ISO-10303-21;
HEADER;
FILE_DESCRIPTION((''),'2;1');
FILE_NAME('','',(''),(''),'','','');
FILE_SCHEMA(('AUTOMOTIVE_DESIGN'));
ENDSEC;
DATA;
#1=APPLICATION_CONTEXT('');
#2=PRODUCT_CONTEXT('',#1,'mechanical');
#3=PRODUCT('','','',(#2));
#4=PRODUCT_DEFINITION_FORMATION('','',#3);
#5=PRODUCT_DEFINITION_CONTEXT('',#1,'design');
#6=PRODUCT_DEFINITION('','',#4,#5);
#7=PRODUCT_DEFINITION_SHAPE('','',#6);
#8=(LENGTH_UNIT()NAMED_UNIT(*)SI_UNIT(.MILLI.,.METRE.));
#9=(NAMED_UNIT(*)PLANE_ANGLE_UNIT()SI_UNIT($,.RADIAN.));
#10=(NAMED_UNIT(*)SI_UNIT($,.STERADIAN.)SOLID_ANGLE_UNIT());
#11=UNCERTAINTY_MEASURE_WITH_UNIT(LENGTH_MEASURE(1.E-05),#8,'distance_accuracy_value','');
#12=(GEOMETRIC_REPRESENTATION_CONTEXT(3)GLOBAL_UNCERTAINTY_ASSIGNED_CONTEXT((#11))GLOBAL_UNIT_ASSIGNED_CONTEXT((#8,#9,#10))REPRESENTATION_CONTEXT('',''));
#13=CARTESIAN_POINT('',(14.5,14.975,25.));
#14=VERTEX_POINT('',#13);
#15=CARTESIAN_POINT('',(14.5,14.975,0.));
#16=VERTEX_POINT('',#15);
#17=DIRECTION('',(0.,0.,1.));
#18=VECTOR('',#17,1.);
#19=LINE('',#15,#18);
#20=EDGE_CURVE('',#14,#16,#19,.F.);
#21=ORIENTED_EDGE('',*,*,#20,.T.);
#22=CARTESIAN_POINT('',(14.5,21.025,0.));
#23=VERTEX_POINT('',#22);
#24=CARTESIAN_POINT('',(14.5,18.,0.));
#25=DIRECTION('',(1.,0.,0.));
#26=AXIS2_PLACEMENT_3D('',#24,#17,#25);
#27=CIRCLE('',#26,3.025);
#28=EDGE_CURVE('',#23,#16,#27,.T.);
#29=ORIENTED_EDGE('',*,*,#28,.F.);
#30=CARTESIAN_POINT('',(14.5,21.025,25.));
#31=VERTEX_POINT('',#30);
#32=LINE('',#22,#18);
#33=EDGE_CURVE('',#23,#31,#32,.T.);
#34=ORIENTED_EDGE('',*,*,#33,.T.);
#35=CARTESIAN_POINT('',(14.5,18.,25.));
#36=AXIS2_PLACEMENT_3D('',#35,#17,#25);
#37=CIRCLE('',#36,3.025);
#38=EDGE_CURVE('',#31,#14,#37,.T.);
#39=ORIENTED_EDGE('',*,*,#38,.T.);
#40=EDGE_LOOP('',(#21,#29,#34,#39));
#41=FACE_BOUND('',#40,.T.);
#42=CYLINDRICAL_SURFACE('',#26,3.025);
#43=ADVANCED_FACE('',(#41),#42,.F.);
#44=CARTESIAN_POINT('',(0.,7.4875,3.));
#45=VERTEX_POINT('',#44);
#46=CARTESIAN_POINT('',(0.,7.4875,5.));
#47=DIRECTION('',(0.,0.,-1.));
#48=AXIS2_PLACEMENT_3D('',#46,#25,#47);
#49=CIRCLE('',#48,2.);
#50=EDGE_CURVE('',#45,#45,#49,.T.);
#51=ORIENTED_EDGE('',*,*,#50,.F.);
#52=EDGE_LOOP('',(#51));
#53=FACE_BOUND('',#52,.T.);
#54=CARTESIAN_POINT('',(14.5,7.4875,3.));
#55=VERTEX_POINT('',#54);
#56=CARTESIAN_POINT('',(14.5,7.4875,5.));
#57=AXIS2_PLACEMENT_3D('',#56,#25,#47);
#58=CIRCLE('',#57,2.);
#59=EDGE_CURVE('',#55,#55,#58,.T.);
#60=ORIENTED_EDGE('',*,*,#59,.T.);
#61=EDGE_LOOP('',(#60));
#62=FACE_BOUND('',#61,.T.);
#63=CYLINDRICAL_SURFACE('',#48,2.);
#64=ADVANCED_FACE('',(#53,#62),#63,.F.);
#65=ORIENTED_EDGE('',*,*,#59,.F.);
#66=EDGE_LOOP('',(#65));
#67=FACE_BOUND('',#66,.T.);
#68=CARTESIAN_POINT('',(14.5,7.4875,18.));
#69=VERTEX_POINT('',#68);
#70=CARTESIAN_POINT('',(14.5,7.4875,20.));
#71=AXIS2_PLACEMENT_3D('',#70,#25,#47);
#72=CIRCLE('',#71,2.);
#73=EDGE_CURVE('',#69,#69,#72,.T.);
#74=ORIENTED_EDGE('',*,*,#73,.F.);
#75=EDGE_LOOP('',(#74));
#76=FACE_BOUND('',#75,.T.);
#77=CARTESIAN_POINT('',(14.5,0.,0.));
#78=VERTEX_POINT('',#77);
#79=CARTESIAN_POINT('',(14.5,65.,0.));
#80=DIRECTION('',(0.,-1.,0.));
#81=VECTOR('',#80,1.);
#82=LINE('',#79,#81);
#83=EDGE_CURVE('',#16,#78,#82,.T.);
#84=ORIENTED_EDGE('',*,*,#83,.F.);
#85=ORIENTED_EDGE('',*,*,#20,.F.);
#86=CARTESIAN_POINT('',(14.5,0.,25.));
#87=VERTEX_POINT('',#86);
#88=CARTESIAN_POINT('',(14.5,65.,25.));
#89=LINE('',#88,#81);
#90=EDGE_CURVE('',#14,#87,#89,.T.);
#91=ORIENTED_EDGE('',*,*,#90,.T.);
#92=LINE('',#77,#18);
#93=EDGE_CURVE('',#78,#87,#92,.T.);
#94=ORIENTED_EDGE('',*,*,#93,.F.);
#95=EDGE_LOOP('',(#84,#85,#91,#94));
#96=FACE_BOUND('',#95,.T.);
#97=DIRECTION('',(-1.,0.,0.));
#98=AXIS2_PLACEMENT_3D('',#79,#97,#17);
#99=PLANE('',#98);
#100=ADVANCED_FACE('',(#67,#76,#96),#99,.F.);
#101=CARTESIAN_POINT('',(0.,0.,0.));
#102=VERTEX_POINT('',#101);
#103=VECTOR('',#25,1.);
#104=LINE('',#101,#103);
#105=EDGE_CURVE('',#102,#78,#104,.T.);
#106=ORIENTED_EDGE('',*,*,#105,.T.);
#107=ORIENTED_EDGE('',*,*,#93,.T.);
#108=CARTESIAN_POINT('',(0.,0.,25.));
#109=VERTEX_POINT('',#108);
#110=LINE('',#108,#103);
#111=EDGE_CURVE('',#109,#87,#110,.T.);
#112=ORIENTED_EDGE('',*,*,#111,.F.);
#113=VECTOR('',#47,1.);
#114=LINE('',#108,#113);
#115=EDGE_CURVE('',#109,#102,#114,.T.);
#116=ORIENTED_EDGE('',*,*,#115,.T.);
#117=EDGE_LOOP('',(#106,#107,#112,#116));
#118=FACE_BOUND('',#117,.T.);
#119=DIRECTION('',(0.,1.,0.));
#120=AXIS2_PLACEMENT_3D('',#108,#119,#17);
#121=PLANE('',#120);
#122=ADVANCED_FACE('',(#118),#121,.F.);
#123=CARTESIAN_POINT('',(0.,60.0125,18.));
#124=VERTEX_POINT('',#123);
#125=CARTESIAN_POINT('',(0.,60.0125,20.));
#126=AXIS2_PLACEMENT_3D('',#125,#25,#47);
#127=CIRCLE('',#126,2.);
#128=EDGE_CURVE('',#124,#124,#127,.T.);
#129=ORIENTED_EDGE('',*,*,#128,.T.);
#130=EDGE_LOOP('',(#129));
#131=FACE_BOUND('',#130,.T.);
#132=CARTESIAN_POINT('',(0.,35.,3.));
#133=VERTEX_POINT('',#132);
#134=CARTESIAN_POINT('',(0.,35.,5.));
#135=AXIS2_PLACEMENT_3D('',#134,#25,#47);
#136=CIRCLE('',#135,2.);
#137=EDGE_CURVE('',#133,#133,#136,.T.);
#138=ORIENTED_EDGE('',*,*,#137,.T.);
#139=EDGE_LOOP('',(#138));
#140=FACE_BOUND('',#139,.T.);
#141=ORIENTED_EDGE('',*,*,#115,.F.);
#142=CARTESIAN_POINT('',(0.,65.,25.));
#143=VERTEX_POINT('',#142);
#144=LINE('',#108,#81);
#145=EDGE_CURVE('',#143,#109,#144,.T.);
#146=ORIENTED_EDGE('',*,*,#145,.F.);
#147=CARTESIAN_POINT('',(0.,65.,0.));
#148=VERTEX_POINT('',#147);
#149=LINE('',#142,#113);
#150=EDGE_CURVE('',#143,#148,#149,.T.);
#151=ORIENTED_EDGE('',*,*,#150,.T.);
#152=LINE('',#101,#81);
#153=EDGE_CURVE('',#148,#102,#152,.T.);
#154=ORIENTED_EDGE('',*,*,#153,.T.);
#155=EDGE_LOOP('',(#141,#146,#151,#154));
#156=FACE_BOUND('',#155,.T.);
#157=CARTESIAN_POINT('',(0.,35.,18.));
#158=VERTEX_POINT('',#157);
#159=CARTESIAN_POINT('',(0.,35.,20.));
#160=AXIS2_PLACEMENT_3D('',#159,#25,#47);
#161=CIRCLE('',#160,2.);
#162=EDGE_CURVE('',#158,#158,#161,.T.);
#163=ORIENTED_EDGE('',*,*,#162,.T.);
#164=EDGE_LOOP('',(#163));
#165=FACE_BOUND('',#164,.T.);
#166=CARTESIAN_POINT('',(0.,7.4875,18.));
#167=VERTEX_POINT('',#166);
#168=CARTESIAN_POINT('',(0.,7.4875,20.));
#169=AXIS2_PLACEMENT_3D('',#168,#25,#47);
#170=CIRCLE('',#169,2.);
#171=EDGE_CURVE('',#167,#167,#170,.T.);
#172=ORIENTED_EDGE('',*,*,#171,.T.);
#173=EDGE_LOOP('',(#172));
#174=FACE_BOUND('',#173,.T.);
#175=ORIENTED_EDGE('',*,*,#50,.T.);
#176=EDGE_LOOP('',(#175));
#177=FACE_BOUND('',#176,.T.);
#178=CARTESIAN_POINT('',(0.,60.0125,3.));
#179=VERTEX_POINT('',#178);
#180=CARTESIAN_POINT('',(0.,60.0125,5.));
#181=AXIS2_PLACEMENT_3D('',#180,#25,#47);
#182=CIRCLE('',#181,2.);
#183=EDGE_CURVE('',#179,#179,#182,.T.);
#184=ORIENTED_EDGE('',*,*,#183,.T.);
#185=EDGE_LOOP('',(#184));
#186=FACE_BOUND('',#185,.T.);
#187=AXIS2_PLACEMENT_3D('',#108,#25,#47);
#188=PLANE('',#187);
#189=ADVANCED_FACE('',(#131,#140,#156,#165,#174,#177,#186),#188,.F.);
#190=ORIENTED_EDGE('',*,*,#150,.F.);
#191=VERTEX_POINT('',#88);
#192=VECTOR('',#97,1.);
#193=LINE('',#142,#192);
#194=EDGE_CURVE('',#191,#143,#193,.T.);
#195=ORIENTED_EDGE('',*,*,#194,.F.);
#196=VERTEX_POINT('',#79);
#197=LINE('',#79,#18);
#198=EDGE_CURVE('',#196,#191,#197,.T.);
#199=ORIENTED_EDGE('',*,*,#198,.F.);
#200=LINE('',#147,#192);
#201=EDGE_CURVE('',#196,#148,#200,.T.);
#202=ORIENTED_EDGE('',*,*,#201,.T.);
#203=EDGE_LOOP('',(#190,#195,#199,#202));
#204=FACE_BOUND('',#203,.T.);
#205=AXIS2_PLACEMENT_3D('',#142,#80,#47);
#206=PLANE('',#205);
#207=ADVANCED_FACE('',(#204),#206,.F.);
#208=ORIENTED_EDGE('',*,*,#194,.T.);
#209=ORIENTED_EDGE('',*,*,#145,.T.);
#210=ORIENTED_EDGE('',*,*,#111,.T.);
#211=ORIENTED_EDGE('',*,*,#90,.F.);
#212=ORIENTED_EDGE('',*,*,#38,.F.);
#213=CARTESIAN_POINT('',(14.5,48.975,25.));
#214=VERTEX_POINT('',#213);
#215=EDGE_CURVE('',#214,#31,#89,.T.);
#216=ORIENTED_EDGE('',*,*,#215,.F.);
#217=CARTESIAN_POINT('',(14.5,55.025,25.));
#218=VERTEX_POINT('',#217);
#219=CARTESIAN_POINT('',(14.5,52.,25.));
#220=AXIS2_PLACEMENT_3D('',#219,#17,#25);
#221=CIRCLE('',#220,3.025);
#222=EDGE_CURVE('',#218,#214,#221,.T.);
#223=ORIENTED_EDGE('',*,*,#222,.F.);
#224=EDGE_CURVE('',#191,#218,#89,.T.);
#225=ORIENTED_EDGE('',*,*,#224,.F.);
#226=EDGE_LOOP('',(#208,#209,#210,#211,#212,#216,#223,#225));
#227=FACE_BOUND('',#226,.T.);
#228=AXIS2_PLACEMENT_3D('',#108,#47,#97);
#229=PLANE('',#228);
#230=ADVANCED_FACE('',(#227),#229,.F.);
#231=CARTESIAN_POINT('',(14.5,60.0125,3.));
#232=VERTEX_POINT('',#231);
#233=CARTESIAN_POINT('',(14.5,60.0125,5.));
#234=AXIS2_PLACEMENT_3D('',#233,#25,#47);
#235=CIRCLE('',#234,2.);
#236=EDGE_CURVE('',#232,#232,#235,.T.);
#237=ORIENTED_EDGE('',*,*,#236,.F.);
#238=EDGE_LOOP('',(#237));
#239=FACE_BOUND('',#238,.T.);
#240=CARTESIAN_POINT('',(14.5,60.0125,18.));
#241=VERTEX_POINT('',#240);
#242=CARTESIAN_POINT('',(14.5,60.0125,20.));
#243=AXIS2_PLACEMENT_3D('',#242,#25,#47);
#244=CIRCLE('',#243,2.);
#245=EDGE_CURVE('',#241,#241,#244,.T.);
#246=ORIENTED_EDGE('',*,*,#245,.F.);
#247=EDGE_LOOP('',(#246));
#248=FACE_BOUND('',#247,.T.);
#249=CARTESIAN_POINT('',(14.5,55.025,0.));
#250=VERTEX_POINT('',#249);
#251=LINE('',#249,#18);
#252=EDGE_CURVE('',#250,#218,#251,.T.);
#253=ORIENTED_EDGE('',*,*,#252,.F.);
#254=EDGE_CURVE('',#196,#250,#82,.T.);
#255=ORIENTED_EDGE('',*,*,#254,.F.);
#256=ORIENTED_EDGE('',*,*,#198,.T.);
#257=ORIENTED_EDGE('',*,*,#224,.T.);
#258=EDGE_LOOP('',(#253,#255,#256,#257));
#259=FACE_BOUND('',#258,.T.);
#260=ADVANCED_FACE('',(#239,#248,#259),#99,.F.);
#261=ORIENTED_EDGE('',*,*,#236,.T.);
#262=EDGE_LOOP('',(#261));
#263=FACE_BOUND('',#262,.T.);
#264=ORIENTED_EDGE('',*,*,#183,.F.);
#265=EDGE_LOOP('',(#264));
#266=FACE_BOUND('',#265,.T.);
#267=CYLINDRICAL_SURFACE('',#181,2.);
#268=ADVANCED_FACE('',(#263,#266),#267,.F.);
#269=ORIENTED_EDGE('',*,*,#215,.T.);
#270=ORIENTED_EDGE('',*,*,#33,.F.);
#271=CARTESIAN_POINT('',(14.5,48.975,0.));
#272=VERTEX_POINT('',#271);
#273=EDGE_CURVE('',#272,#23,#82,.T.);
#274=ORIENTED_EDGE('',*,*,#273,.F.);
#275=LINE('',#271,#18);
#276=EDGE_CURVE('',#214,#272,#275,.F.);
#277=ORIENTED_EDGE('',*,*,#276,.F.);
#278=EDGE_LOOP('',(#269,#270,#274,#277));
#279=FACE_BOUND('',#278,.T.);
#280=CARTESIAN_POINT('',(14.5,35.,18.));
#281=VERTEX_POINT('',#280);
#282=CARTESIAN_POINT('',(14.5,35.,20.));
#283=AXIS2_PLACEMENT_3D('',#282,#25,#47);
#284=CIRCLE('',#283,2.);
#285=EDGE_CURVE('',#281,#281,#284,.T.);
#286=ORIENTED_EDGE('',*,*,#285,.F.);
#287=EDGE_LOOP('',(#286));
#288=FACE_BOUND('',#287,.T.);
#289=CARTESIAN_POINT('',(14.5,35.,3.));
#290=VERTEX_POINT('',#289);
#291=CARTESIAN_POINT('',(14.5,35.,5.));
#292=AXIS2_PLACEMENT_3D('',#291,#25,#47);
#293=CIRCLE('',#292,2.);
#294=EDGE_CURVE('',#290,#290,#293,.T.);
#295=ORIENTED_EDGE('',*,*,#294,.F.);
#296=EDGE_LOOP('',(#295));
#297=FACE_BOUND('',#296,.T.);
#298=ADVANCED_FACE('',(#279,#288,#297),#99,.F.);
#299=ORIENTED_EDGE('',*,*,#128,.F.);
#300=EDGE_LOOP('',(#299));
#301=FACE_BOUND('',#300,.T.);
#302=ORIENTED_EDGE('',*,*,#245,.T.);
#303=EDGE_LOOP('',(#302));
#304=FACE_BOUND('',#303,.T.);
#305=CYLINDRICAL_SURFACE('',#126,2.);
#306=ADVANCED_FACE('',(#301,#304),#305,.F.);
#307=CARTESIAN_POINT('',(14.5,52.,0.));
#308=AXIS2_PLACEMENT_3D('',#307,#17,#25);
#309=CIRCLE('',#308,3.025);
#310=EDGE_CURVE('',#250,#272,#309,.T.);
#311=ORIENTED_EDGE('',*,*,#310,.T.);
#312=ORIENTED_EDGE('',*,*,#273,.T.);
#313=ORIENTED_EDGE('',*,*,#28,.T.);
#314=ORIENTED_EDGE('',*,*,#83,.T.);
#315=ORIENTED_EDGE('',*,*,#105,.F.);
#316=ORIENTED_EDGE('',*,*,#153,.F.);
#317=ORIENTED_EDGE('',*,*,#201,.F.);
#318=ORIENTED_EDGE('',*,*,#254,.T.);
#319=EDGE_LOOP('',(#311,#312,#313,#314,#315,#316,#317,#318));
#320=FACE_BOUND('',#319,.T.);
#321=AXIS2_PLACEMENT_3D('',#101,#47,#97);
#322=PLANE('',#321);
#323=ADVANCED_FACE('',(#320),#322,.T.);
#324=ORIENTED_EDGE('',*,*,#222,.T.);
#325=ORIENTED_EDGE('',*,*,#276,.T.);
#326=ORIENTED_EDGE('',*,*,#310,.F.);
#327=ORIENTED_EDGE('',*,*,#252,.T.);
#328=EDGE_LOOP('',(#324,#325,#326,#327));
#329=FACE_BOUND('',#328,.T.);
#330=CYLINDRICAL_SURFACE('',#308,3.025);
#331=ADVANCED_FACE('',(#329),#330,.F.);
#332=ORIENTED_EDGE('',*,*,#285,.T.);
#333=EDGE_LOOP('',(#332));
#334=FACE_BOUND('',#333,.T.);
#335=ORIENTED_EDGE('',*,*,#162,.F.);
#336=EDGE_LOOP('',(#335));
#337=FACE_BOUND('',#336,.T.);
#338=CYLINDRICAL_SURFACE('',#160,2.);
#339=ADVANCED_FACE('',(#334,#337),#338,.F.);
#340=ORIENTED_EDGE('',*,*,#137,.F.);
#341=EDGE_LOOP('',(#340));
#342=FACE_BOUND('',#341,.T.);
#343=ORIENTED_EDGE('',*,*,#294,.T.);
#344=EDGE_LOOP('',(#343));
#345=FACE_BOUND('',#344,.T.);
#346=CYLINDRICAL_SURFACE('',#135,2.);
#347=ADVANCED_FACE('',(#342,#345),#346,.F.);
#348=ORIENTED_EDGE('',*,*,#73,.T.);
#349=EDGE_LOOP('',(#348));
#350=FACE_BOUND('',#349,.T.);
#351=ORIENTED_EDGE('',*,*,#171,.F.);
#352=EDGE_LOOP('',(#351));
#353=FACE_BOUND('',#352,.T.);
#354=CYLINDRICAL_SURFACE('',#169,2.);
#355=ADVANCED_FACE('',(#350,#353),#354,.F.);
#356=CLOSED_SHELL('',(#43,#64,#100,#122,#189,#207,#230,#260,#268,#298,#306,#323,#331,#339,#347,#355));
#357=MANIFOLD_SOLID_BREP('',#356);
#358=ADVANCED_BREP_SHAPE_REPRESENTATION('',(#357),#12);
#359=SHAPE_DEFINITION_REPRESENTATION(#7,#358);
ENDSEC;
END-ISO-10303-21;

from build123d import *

# Parameters (mm, degrees)
SKETCH_1_W          = 29
SKETCH_1_H          = 65
EXTRUDE_1_DEPTH     = 25
SKETCH_2_R          = 3.025
SKETCH_2_R_2        = 3.005
CUT_EXTRUDE_3_DEPTH = 76.43871685
SKETCH_6_W          = 14.5
SKETCH_6_H          = 65
CUT_EXTRUDE_4_DEPTH = 76.43871685
SKETCH_7_R          = 2
CUT_EXTRUDE_5_DEPTH = 72.135434208
SKETCH_8_R          = 2
CUT_EXTRUDE_6_DEPTH = 72.135434208
SKETCH_9_R          = 2
CUT_EXTRUDE_7_DEPTH = 72.135434208


with BuildPart() as part:
    # 草图1 → 凸台-拉伸1 (new body)
    with BuildSketch(Plane.XY):
        with Locations((14.5, 32.5)):
            Rectangle(SKETCH_1_W, SKETCH_1_H)
    extrude(amount=EXTRUDE_1_DEPTH)

    # 草图2 → 切除-拉伸3 (cut, through all)
    # profile 1 of 2: a face of its own
    with BuildSketch(Plane.XY.offset(25)):
        with Locations((14.5, 52)):
            Circle(SKETCH_2_R)
        with Locations((14.5, 52)):
            Circle(SKETCH_2_R_2, mode=Mode.SUBTRACT)
    # profile 2 of 2: a face of its own
    with BuildSketch(Plane.XY.offset(25)):
        with Locations((14.5, 18)):
            Circle(SKETCH_2_R)
        with Locations((14.5, 18)):
            Circle(SKETCH_2_R_2, mode=Mode.SUBTRACT)
    extrude(amount=-CUT_EXTRUDE_3_DEPTH, mode=Mode.SUBTRACT)


with BuildPart() as cut_extrude_3_kept_piece:
    # of the separate pieces the step leaves, the one the design keeps (cut_extrude_3_pieces_kept)
    add(part.part.solids().sort_by_distance((0, 0, 0))[0])

    # 草图6 → 切除-拉伸4 (cut, through all)
    with BuildSketch(Plane.XY.offset(25)):
        with Locations((21.75, 32.5)):
            Rectangle(SKETCH_6_W, SKETCH_6_H)
    extrude(amount=-CUT_EXTRUDE_4_DEPTH, mode=Mode.SUBTRACT)

    # 草图7 → 切除-拉伸5 (cut, through all)
    with BuildSketch(Plane(origin=(14.5, 0, 0), x_dir=(0, 0, -1), z_dir=(1, 0, 0))):
        with Locations((-20, 60.0125)):
            Circle(SKETCH_7_R)
        with Locations((-5, 60.0125)):
            Circle(SKETCH_7_R)
    extrude(amount=-CUT_EXTRUDE_5_DEPTH, mode=Mode.SUBTRACT)

    # 草图8 → 切除-拉伸6 (cut, through all)
    with BuildSketch(Plane(origin=(14.5, 0, 0), x_dir=(0, 0, -1), z_dir=(1, 0, 0))):
        with Locations((-20, 35)):
            Circle(SKETCH_8_R)
        with Locations((-5, 35)):
            Circle(SKETCH_8_R)
    extrude(amount=-CUT_EXTRUDE_6_DEPTH, mode=Mode.SUBTRACT)

    # 草图9 → 切除-拉伸7 (cut, through all)
    with BuildSketch(Plane(origin=(14.5, 0, 0), x_dir=(0, 0, -1), z_dir=(1, 0, 0))):
        with Locations((-20, 7.4875)):
            Circle(SKETCH_9_R)
        with Locations((-5, 7.4875)):
            Circle(SKETCH_9_R)
    extrude(amount=-CUT_EXTRUDE_7_DEPTH, mode=Mode.SUBTRACT)


solid = cut_extrude_3_kept_piece.part
